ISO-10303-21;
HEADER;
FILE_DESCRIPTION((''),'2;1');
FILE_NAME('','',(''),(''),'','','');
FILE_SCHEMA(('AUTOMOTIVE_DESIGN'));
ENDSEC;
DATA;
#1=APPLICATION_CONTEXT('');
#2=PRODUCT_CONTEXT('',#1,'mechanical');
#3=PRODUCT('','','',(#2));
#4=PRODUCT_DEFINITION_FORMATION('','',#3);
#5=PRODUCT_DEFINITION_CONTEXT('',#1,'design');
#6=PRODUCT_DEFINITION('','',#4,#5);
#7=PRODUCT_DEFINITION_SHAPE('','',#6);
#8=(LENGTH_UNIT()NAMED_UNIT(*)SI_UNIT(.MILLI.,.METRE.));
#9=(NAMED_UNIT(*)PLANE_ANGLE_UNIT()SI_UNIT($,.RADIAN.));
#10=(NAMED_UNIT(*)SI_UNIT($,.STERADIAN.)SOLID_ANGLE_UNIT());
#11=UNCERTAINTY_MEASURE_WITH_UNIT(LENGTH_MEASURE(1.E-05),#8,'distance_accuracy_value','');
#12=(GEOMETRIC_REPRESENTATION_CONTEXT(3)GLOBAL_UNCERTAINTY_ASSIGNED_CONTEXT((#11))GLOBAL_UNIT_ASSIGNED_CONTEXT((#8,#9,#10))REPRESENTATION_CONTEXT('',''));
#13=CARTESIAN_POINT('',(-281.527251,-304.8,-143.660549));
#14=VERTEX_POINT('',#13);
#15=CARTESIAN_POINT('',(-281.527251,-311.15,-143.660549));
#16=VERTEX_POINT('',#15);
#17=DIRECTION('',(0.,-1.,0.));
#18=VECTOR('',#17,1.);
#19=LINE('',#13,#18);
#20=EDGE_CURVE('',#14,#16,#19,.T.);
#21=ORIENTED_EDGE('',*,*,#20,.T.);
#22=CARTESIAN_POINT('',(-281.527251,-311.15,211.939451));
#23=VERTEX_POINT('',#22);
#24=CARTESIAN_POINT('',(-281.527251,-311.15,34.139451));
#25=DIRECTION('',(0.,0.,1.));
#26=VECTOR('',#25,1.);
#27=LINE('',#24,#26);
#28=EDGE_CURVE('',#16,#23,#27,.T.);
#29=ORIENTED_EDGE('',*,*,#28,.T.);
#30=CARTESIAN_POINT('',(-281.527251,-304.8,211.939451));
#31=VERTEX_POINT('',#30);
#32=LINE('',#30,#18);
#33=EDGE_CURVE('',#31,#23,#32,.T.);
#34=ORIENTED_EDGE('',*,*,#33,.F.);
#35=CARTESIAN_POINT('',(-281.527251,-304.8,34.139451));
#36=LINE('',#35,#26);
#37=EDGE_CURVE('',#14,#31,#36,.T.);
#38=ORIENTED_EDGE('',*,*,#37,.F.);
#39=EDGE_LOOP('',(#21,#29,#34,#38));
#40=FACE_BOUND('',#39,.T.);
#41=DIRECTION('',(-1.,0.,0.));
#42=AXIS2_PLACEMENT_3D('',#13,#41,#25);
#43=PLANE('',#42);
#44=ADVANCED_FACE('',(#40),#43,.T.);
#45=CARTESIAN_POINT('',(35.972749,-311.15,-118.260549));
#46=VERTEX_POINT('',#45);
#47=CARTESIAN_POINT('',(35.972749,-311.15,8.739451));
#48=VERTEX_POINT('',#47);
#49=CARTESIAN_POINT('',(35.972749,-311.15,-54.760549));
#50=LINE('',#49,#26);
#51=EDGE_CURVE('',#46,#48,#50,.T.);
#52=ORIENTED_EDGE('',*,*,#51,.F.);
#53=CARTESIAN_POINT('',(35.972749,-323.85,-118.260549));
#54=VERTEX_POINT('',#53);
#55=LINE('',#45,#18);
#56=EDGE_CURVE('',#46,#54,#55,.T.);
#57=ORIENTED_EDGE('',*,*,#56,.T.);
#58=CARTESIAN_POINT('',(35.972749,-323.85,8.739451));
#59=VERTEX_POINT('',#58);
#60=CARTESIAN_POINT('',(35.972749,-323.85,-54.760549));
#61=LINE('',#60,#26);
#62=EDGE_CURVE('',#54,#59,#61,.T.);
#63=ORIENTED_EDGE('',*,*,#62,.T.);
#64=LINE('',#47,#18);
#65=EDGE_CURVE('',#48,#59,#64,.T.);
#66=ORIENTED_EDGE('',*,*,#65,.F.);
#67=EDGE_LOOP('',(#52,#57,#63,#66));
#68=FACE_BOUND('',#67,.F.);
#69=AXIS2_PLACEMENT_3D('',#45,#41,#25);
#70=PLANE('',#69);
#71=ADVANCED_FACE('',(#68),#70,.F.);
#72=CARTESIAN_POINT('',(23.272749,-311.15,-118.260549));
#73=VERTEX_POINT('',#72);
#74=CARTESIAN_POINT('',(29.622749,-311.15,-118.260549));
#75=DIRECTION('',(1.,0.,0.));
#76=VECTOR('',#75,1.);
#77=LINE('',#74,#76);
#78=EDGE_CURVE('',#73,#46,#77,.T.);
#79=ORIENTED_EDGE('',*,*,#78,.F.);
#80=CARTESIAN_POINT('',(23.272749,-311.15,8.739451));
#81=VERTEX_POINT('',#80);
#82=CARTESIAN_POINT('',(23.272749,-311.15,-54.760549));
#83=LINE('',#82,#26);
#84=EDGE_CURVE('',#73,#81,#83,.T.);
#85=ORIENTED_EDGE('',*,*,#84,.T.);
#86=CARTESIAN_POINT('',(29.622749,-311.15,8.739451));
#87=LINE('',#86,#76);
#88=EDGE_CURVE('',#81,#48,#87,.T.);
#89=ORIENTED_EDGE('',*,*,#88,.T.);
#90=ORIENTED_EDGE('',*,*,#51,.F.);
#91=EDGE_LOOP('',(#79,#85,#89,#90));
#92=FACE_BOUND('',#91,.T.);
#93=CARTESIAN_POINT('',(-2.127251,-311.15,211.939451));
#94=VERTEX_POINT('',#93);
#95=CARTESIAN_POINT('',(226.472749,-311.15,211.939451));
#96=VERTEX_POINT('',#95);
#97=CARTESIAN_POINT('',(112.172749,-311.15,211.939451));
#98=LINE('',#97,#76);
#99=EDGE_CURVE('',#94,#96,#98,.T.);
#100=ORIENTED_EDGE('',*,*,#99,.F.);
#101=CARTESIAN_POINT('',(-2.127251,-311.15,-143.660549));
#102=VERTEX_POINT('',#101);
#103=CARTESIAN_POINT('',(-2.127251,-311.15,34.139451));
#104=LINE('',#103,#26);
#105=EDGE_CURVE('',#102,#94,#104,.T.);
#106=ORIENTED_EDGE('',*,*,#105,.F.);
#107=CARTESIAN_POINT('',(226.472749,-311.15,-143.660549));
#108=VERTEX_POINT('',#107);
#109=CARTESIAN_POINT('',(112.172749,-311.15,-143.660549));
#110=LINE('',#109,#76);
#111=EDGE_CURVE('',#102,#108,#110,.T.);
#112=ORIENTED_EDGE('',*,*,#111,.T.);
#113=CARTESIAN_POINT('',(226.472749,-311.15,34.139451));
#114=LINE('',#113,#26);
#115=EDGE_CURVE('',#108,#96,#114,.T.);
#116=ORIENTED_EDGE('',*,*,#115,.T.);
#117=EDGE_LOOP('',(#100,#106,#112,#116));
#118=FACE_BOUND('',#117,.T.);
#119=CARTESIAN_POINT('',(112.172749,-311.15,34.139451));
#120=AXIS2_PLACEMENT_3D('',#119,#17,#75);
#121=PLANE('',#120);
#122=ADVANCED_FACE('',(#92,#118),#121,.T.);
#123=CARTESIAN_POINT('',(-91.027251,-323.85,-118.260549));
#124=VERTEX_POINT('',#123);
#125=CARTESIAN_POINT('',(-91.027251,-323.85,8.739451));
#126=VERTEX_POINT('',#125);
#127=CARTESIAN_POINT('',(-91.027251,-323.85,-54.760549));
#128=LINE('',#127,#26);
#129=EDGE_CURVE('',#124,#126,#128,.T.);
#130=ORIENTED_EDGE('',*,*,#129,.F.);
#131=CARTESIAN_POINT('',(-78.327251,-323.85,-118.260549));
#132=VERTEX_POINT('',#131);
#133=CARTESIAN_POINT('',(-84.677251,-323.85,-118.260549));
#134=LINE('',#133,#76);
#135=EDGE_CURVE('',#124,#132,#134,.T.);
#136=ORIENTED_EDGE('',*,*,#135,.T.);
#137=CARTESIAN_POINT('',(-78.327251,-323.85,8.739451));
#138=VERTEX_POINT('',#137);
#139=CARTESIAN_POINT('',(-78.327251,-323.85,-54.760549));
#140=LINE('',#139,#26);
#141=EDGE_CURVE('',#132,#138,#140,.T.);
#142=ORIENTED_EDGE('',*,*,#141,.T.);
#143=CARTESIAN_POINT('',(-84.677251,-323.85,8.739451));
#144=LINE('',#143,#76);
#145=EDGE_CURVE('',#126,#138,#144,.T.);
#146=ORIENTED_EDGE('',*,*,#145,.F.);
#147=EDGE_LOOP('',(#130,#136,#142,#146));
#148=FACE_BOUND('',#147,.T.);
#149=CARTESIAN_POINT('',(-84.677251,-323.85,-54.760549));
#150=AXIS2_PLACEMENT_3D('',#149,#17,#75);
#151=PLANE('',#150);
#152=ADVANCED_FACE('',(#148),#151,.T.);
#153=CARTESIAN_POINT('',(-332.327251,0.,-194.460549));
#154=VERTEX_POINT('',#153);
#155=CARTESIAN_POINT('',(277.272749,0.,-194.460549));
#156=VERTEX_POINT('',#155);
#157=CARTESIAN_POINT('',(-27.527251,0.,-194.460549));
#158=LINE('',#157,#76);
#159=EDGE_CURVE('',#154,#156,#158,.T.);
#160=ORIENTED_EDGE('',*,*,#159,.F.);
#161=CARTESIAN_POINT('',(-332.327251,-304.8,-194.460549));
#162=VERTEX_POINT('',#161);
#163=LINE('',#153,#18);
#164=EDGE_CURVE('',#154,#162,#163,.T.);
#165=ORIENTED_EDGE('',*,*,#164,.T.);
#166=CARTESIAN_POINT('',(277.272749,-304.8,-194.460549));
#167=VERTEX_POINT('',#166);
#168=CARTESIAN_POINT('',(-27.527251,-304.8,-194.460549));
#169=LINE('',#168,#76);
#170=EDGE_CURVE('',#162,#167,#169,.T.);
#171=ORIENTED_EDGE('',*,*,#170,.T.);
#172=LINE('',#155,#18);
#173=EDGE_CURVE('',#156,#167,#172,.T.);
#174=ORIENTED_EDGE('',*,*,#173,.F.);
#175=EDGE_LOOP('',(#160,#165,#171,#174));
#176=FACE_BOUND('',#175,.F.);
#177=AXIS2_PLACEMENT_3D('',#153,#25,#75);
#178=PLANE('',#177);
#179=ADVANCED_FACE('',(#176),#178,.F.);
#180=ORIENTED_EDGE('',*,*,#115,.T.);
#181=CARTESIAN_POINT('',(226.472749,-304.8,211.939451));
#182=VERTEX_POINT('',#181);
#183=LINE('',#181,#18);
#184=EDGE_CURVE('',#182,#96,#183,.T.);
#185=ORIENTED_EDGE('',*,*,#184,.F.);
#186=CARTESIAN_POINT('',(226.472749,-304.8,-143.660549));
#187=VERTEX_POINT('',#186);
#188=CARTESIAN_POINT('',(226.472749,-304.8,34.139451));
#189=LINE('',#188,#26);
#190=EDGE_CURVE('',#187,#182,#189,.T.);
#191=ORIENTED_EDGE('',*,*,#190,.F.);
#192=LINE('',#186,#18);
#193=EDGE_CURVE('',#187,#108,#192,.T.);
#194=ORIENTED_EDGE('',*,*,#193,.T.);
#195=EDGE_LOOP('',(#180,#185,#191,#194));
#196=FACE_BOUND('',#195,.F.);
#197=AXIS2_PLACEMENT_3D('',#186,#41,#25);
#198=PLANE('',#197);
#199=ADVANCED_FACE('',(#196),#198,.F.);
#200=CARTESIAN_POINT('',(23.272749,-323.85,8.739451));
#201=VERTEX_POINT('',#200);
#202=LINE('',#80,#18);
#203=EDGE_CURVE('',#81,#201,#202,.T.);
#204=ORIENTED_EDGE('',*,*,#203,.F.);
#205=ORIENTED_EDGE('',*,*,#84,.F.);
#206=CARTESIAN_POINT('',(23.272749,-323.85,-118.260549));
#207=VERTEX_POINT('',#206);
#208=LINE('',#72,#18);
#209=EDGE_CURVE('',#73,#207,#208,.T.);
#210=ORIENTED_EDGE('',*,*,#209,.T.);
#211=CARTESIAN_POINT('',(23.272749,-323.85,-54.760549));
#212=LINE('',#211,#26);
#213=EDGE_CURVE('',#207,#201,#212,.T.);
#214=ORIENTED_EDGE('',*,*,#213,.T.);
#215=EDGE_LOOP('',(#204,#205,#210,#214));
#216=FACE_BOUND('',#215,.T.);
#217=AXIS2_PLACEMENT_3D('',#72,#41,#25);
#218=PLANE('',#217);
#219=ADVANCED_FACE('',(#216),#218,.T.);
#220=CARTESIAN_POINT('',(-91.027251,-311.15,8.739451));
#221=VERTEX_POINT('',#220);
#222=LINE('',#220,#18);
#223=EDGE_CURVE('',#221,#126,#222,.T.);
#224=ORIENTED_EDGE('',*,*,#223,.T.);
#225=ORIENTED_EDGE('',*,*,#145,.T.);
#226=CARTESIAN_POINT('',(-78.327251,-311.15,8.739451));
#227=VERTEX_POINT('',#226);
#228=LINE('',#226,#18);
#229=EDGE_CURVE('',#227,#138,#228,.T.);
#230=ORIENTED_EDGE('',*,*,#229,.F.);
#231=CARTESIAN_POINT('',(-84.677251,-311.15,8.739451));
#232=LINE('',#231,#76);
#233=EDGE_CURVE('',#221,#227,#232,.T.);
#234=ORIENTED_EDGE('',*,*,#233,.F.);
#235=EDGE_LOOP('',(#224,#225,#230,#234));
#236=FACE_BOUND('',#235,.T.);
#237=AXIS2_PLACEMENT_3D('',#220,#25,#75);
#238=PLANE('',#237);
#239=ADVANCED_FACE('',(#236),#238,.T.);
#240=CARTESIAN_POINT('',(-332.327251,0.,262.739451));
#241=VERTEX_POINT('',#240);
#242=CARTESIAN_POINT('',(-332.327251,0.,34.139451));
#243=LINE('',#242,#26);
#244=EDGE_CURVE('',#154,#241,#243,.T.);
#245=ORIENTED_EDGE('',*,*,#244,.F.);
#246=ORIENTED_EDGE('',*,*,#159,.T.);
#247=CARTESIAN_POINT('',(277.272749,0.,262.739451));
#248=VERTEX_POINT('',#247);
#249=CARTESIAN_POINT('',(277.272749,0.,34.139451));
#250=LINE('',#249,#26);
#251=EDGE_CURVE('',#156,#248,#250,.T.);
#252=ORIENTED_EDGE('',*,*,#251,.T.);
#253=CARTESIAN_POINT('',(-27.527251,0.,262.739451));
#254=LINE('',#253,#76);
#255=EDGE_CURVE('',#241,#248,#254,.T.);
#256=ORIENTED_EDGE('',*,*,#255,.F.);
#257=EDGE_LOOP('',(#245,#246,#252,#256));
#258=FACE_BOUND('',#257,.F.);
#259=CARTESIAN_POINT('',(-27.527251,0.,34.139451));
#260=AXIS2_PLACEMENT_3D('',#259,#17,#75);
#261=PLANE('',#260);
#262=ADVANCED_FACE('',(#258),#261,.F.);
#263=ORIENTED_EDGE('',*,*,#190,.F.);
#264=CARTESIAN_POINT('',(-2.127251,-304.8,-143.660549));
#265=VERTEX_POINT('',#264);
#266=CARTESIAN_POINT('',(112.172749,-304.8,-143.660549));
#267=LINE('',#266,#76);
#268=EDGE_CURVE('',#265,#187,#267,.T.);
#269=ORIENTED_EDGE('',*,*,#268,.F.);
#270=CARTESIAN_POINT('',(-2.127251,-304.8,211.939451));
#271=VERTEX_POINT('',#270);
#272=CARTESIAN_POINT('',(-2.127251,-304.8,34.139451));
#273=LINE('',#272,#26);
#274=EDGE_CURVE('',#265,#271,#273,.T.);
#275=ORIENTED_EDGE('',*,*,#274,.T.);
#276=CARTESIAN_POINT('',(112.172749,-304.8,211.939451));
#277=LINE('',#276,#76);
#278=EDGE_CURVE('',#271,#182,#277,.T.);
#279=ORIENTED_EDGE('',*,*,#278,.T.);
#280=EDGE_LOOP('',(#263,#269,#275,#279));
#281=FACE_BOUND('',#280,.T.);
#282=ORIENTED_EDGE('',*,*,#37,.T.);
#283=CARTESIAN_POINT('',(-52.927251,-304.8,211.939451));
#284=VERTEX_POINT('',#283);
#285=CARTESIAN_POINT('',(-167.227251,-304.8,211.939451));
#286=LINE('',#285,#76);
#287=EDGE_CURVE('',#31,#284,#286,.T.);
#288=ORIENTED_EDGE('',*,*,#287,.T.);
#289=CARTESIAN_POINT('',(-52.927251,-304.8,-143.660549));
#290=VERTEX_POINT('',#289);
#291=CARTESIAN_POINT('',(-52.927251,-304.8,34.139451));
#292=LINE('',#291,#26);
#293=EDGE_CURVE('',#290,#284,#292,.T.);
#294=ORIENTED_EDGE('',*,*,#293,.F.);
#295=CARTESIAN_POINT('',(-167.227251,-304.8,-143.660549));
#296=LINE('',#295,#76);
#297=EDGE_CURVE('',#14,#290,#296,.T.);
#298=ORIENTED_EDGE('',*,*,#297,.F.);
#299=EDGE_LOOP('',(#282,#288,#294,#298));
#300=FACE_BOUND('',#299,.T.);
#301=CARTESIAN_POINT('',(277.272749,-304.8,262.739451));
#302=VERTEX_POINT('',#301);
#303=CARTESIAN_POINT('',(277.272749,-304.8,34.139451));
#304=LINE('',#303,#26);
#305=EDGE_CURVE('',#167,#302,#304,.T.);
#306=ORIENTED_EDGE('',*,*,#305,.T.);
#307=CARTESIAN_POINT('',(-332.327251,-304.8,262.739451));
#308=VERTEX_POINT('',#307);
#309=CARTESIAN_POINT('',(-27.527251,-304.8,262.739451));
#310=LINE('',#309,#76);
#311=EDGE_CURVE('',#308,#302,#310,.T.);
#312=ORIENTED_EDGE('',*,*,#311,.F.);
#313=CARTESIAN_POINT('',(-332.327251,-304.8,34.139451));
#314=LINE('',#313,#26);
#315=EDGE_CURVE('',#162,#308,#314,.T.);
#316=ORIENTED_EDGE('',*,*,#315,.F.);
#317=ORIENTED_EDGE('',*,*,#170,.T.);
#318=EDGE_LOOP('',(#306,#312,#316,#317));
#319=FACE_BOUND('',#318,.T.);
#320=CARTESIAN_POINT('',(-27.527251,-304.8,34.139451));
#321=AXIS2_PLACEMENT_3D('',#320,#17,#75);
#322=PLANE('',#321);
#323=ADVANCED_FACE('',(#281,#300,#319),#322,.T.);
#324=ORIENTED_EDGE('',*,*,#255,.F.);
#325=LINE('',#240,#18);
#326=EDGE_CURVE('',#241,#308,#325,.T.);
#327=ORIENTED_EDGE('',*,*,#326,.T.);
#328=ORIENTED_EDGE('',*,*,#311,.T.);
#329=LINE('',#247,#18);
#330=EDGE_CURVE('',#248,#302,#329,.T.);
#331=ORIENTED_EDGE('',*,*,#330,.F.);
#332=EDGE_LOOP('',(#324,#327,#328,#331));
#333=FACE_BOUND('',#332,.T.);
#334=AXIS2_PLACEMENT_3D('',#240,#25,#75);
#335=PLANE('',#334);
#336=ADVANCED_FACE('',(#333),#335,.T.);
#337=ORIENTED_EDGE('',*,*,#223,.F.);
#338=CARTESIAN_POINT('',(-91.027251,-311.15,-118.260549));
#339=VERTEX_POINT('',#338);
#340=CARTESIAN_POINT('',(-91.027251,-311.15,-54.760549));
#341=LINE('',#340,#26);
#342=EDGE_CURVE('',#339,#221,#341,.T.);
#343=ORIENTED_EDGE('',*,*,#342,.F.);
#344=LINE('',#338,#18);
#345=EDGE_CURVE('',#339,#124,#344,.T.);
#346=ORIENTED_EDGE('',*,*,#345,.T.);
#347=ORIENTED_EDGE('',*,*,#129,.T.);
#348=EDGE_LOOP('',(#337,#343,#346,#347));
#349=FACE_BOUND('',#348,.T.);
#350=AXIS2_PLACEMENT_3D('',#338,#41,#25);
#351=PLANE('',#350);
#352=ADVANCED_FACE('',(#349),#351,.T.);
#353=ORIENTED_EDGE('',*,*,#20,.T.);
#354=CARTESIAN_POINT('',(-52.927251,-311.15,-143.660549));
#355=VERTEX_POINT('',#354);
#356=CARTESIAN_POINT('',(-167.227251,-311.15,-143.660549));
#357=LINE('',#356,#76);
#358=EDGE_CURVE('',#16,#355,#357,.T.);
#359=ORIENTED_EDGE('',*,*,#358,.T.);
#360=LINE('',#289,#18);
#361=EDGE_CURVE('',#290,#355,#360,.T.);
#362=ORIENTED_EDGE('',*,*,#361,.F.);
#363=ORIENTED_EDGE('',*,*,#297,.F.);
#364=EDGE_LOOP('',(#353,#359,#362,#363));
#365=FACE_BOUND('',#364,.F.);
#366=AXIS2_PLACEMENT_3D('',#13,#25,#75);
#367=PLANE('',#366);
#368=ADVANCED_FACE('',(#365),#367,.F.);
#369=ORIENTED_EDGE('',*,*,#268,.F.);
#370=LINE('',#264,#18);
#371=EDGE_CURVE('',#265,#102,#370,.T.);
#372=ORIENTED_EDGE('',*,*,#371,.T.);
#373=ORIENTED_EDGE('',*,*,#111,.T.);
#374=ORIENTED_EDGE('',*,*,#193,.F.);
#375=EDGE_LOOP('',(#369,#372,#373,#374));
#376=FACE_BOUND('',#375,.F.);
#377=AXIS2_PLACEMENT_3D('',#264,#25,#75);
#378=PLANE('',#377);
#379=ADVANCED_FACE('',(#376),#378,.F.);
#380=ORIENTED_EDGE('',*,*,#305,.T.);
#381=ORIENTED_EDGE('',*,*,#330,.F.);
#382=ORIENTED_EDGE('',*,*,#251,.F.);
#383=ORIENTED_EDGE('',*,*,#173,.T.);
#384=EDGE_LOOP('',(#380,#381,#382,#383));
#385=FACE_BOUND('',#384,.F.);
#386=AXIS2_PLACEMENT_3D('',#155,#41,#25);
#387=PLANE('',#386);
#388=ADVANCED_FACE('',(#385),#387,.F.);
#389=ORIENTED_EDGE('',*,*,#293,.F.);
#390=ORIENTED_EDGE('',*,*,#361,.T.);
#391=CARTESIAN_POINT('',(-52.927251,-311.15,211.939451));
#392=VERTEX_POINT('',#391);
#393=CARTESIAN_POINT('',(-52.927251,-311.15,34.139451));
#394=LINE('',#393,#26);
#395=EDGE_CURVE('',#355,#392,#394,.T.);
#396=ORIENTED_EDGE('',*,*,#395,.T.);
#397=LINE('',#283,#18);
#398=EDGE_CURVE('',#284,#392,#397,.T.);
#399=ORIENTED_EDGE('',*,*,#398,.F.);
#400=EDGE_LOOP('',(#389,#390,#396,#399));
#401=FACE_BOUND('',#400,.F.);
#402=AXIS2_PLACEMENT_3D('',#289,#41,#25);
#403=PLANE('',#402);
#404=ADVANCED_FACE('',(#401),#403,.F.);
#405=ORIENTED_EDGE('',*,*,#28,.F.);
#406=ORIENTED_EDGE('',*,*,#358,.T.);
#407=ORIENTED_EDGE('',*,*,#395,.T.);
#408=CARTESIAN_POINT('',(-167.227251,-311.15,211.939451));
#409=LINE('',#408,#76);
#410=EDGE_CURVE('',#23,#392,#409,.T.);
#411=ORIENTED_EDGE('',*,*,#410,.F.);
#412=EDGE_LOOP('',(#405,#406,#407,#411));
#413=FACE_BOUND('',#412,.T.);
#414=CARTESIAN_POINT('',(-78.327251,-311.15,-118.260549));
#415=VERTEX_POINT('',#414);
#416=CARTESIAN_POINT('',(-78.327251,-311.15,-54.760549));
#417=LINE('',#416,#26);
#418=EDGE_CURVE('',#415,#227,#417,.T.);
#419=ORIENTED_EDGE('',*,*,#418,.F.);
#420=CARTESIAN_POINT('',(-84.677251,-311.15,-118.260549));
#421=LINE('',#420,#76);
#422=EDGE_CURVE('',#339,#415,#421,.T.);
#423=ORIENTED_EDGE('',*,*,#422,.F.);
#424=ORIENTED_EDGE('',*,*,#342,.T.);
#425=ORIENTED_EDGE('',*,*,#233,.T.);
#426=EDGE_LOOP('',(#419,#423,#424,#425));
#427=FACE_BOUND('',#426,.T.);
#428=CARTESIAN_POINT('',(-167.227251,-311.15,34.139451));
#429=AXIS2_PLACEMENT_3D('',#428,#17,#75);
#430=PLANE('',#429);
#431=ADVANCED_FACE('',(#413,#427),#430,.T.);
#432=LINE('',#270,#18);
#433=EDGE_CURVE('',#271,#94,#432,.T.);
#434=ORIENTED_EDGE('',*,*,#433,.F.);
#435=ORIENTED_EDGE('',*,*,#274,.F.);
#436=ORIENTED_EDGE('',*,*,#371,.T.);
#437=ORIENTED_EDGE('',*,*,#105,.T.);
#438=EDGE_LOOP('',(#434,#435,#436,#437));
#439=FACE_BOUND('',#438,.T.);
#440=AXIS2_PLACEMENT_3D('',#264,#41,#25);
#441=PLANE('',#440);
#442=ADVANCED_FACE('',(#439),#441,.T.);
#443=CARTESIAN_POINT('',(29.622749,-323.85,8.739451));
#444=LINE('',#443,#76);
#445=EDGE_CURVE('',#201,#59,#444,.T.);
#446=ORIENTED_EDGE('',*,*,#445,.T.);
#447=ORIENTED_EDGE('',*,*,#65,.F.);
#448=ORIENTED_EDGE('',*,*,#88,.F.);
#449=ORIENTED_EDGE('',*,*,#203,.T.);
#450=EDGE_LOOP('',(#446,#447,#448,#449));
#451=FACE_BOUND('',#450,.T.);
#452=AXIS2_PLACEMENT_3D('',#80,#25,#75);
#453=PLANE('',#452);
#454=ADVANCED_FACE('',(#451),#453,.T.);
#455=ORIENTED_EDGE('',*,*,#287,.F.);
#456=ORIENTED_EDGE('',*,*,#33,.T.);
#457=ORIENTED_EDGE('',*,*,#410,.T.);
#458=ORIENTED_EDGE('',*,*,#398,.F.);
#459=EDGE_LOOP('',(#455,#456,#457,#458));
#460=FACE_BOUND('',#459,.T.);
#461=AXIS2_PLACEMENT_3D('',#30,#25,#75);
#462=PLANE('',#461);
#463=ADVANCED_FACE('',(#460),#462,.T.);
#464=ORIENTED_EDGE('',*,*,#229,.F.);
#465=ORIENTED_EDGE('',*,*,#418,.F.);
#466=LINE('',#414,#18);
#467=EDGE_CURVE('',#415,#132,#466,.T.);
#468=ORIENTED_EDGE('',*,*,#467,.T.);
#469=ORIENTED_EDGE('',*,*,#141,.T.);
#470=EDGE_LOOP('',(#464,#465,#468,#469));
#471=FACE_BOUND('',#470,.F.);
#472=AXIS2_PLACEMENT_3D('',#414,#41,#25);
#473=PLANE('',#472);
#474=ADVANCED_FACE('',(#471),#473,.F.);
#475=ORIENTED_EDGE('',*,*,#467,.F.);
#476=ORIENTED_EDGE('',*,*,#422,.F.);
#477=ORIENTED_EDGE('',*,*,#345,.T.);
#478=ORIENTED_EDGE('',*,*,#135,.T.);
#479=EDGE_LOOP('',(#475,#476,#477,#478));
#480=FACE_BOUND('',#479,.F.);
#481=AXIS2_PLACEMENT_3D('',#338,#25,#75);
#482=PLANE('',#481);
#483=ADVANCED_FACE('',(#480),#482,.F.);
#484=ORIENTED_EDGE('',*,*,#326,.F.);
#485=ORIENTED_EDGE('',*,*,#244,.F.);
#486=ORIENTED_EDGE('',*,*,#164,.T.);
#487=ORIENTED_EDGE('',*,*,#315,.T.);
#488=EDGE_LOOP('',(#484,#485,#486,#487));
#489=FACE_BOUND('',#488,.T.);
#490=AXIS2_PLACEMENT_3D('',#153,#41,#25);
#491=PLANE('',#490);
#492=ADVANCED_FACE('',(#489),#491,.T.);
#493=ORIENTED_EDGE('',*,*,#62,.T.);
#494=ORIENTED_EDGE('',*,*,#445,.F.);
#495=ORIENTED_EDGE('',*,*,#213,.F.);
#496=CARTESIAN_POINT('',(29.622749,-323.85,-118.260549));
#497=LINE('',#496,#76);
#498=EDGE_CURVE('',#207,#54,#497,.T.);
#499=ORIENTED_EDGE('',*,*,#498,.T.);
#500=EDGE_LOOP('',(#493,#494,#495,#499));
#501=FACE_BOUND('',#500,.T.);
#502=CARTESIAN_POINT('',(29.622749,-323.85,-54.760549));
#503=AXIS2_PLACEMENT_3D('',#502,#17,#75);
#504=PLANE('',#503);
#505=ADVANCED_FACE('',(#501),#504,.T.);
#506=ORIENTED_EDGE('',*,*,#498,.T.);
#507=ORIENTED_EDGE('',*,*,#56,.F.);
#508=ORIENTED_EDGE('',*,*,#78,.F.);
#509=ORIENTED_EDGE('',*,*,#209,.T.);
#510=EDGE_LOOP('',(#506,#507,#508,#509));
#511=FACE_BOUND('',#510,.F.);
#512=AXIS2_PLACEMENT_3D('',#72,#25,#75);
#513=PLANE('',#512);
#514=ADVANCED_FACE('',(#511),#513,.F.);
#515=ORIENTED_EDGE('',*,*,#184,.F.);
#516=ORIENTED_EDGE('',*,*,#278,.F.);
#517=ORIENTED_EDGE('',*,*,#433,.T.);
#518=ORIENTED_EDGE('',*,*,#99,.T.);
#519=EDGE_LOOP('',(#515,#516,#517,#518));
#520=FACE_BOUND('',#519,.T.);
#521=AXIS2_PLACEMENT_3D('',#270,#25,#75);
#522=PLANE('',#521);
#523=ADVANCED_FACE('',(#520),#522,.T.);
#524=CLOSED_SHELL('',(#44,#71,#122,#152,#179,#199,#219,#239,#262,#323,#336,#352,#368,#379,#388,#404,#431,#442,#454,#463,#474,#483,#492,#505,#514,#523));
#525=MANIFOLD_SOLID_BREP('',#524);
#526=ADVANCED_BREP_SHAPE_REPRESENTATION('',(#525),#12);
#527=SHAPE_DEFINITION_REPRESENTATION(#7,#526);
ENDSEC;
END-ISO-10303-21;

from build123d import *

# Parameters (mm, degrees)
F0_W     = 609.6
F0_H     = 457.2
F1_DEPTH = 304.8
F2_W     = 228.6
F2_H     = 355.6
F3_DEPTH = 6.35
F4_W     = 12.7
F4_H     = 127
F5_DEPTH = 12.7


with BuildPart() as f1:
    # F0 (on Front) → F1 (new body)
    with BuildSketch(Plane.XZ):
        with Locations((-27.527251, 34.139451)):
            Rectangle(F0_W, F0_H)
    extrude(amount=F1_DEPTH)

    # F2 (on face) → F3 (join)
    with BuildSketch(Plane.XZ.offset(304.8)):
        with Locations((-167.227251, 34.139451)):
            Rectangle(F2_W, F2_H)
        with Locations((112.172749, 34.139451)):
            Rectangle(F2_W, F2_H)
    extrude(amount=F3_DEPTH)

    # F4 (on face) → F5 (join)
    with BuildSketch(Plane.XZ.offset(311.15)):
        with Locations((-84.677251, -54.760549)):
            Rectangle(F4_W, F4_H)
        with Locations((29.622749, -54.760549)):
            Rectangle(F4_W, F4_H)
    extrude(amount=F5_DEPTH)


solid = f1.part
